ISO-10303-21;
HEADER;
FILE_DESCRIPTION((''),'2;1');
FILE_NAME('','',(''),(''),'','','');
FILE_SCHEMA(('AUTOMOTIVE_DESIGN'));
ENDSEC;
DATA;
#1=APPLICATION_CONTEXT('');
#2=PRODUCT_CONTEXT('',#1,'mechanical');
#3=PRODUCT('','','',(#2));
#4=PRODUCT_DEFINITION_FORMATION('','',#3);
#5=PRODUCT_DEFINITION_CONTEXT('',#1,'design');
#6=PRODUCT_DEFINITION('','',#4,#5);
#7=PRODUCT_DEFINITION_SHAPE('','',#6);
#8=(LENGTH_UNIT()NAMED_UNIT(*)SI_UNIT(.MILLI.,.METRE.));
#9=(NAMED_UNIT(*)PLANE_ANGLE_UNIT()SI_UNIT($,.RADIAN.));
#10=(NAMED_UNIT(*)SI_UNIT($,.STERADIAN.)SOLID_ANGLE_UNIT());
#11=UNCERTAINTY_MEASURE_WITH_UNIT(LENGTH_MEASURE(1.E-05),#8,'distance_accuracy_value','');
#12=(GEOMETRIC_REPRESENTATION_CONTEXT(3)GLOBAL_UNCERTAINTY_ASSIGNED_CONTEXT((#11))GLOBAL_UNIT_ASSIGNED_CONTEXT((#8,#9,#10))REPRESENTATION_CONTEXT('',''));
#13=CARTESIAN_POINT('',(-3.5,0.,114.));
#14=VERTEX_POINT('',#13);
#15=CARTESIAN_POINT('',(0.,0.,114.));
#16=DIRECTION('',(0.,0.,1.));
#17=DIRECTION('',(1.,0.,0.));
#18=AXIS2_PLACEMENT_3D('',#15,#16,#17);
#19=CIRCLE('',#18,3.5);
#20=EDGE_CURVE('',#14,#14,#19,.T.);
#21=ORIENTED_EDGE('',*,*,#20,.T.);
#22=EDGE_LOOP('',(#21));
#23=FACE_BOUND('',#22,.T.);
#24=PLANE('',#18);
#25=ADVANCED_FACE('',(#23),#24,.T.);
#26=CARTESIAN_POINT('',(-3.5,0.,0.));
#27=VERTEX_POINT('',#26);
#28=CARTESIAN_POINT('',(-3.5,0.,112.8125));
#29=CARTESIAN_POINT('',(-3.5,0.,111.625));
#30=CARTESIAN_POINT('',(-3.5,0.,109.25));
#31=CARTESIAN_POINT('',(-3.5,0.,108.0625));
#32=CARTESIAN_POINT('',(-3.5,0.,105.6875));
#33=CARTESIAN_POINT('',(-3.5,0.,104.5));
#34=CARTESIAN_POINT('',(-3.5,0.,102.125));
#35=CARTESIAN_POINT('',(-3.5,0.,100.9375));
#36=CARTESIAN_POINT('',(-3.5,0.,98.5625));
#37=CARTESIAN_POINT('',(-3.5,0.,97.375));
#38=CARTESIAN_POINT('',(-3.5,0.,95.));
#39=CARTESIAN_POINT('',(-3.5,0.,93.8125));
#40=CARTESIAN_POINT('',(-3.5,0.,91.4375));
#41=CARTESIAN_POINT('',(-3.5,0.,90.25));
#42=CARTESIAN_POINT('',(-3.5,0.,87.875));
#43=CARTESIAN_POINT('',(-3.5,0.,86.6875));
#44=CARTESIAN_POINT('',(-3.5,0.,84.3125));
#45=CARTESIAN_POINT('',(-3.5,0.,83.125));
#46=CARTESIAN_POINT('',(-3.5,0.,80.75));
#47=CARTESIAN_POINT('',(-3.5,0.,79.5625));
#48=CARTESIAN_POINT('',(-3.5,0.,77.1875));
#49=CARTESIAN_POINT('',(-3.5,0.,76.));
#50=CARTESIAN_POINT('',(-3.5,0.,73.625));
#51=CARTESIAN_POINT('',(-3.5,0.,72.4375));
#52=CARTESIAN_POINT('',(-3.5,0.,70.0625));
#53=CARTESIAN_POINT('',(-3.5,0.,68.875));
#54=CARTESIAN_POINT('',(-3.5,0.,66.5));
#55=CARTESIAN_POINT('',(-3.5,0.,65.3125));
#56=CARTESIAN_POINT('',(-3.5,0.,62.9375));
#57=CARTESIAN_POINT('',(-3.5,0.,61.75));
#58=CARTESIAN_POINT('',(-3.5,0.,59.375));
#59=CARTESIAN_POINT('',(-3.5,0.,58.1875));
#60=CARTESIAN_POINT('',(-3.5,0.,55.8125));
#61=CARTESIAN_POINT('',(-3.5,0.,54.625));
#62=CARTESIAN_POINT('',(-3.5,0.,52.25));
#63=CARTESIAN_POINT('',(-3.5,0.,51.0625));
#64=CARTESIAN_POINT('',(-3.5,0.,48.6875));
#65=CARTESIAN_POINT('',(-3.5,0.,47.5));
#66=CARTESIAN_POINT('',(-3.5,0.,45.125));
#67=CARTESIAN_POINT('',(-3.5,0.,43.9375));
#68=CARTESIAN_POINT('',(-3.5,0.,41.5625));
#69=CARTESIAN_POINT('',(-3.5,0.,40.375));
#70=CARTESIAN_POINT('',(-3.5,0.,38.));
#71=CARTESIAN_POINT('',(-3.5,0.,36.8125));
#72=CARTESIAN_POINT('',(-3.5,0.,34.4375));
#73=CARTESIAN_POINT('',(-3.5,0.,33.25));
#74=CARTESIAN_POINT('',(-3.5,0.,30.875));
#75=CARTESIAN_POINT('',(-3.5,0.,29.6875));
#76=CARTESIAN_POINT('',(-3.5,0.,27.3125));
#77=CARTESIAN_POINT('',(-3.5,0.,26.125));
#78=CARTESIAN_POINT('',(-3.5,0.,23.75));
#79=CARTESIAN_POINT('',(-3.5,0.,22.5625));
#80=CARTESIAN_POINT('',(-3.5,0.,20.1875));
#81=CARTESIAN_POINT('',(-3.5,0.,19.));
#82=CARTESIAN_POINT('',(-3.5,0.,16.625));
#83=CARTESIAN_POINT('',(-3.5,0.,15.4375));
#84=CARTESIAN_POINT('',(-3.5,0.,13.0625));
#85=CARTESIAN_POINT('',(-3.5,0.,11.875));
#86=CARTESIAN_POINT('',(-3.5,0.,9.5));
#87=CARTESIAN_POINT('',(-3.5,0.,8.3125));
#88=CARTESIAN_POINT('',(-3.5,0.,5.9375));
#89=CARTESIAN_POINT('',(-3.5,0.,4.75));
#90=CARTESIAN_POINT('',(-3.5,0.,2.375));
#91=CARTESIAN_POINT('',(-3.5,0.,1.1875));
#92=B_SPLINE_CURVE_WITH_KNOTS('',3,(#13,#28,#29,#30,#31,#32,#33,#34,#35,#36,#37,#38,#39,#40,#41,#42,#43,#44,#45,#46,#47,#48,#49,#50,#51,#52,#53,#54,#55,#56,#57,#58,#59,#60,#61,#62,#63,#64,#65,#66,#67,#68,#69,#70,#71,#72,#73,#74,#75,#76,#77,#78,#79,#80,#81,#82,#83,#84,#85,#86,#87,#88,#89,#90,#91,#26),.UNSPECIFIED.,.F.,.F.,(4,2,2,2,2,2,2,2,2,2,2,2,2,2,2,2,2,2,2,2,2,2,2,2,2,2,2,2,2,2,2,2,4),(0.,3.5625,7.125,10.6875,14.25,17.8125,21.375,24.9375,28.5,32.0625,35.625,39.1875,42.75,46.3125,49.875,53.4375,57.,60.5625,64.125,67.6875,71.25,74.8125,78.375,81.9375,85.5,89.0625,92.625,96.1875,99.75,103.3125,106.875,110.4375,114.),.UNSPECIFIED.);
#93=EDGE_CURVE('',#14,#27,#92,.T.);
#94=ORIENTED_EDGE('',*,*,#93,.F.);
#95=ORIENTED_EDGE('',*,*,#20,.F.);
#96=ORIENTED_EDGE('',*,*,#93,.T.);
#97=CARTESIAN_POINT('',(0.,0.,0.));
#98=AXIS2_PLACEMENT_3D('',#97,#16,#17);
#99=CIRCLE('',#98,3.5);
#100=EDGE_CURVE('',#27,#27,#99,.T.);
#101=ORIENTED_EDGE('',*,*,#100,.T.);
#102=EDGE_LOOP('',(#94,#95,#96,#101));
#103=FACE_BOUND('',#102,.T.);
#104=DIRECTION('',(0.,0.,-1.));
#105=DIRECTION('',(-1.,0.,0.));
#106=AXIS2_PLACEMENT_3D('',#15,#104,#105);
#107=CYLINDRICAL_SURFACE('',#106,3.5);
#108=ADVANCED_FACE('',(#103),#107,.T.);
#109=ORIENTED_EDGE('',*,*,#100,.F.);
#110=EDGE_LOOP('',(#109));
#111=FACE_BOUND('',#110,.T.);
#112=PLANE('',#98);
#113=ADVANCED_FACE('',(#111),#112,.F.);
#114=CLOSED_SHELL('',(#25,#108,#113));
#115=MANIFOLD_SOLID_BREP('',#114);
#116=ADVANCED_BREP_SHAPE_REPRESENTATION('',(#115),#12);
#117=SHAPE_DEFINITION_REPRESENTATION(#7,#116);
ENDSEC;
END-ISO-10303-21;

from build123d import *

# Parameters (mm, degrees)
SZKIC1_R                    = 3.5
DODANIE_WYCI_GNI_CIE1_DEPTH = 114


with BuildPart() as part:
    # Szkic1 → Dodanie-wyciągnięcie1 (new body)
    with BuildSketch(Plane.XY):
        with Locations(Location((0, 0, 0), (0, 0, 180))):
            Circle(SZKIC1_R)
    extrude(amount=DODANIE_WYCI_GNI_CIE1_DEPTH)


solid = part.part
